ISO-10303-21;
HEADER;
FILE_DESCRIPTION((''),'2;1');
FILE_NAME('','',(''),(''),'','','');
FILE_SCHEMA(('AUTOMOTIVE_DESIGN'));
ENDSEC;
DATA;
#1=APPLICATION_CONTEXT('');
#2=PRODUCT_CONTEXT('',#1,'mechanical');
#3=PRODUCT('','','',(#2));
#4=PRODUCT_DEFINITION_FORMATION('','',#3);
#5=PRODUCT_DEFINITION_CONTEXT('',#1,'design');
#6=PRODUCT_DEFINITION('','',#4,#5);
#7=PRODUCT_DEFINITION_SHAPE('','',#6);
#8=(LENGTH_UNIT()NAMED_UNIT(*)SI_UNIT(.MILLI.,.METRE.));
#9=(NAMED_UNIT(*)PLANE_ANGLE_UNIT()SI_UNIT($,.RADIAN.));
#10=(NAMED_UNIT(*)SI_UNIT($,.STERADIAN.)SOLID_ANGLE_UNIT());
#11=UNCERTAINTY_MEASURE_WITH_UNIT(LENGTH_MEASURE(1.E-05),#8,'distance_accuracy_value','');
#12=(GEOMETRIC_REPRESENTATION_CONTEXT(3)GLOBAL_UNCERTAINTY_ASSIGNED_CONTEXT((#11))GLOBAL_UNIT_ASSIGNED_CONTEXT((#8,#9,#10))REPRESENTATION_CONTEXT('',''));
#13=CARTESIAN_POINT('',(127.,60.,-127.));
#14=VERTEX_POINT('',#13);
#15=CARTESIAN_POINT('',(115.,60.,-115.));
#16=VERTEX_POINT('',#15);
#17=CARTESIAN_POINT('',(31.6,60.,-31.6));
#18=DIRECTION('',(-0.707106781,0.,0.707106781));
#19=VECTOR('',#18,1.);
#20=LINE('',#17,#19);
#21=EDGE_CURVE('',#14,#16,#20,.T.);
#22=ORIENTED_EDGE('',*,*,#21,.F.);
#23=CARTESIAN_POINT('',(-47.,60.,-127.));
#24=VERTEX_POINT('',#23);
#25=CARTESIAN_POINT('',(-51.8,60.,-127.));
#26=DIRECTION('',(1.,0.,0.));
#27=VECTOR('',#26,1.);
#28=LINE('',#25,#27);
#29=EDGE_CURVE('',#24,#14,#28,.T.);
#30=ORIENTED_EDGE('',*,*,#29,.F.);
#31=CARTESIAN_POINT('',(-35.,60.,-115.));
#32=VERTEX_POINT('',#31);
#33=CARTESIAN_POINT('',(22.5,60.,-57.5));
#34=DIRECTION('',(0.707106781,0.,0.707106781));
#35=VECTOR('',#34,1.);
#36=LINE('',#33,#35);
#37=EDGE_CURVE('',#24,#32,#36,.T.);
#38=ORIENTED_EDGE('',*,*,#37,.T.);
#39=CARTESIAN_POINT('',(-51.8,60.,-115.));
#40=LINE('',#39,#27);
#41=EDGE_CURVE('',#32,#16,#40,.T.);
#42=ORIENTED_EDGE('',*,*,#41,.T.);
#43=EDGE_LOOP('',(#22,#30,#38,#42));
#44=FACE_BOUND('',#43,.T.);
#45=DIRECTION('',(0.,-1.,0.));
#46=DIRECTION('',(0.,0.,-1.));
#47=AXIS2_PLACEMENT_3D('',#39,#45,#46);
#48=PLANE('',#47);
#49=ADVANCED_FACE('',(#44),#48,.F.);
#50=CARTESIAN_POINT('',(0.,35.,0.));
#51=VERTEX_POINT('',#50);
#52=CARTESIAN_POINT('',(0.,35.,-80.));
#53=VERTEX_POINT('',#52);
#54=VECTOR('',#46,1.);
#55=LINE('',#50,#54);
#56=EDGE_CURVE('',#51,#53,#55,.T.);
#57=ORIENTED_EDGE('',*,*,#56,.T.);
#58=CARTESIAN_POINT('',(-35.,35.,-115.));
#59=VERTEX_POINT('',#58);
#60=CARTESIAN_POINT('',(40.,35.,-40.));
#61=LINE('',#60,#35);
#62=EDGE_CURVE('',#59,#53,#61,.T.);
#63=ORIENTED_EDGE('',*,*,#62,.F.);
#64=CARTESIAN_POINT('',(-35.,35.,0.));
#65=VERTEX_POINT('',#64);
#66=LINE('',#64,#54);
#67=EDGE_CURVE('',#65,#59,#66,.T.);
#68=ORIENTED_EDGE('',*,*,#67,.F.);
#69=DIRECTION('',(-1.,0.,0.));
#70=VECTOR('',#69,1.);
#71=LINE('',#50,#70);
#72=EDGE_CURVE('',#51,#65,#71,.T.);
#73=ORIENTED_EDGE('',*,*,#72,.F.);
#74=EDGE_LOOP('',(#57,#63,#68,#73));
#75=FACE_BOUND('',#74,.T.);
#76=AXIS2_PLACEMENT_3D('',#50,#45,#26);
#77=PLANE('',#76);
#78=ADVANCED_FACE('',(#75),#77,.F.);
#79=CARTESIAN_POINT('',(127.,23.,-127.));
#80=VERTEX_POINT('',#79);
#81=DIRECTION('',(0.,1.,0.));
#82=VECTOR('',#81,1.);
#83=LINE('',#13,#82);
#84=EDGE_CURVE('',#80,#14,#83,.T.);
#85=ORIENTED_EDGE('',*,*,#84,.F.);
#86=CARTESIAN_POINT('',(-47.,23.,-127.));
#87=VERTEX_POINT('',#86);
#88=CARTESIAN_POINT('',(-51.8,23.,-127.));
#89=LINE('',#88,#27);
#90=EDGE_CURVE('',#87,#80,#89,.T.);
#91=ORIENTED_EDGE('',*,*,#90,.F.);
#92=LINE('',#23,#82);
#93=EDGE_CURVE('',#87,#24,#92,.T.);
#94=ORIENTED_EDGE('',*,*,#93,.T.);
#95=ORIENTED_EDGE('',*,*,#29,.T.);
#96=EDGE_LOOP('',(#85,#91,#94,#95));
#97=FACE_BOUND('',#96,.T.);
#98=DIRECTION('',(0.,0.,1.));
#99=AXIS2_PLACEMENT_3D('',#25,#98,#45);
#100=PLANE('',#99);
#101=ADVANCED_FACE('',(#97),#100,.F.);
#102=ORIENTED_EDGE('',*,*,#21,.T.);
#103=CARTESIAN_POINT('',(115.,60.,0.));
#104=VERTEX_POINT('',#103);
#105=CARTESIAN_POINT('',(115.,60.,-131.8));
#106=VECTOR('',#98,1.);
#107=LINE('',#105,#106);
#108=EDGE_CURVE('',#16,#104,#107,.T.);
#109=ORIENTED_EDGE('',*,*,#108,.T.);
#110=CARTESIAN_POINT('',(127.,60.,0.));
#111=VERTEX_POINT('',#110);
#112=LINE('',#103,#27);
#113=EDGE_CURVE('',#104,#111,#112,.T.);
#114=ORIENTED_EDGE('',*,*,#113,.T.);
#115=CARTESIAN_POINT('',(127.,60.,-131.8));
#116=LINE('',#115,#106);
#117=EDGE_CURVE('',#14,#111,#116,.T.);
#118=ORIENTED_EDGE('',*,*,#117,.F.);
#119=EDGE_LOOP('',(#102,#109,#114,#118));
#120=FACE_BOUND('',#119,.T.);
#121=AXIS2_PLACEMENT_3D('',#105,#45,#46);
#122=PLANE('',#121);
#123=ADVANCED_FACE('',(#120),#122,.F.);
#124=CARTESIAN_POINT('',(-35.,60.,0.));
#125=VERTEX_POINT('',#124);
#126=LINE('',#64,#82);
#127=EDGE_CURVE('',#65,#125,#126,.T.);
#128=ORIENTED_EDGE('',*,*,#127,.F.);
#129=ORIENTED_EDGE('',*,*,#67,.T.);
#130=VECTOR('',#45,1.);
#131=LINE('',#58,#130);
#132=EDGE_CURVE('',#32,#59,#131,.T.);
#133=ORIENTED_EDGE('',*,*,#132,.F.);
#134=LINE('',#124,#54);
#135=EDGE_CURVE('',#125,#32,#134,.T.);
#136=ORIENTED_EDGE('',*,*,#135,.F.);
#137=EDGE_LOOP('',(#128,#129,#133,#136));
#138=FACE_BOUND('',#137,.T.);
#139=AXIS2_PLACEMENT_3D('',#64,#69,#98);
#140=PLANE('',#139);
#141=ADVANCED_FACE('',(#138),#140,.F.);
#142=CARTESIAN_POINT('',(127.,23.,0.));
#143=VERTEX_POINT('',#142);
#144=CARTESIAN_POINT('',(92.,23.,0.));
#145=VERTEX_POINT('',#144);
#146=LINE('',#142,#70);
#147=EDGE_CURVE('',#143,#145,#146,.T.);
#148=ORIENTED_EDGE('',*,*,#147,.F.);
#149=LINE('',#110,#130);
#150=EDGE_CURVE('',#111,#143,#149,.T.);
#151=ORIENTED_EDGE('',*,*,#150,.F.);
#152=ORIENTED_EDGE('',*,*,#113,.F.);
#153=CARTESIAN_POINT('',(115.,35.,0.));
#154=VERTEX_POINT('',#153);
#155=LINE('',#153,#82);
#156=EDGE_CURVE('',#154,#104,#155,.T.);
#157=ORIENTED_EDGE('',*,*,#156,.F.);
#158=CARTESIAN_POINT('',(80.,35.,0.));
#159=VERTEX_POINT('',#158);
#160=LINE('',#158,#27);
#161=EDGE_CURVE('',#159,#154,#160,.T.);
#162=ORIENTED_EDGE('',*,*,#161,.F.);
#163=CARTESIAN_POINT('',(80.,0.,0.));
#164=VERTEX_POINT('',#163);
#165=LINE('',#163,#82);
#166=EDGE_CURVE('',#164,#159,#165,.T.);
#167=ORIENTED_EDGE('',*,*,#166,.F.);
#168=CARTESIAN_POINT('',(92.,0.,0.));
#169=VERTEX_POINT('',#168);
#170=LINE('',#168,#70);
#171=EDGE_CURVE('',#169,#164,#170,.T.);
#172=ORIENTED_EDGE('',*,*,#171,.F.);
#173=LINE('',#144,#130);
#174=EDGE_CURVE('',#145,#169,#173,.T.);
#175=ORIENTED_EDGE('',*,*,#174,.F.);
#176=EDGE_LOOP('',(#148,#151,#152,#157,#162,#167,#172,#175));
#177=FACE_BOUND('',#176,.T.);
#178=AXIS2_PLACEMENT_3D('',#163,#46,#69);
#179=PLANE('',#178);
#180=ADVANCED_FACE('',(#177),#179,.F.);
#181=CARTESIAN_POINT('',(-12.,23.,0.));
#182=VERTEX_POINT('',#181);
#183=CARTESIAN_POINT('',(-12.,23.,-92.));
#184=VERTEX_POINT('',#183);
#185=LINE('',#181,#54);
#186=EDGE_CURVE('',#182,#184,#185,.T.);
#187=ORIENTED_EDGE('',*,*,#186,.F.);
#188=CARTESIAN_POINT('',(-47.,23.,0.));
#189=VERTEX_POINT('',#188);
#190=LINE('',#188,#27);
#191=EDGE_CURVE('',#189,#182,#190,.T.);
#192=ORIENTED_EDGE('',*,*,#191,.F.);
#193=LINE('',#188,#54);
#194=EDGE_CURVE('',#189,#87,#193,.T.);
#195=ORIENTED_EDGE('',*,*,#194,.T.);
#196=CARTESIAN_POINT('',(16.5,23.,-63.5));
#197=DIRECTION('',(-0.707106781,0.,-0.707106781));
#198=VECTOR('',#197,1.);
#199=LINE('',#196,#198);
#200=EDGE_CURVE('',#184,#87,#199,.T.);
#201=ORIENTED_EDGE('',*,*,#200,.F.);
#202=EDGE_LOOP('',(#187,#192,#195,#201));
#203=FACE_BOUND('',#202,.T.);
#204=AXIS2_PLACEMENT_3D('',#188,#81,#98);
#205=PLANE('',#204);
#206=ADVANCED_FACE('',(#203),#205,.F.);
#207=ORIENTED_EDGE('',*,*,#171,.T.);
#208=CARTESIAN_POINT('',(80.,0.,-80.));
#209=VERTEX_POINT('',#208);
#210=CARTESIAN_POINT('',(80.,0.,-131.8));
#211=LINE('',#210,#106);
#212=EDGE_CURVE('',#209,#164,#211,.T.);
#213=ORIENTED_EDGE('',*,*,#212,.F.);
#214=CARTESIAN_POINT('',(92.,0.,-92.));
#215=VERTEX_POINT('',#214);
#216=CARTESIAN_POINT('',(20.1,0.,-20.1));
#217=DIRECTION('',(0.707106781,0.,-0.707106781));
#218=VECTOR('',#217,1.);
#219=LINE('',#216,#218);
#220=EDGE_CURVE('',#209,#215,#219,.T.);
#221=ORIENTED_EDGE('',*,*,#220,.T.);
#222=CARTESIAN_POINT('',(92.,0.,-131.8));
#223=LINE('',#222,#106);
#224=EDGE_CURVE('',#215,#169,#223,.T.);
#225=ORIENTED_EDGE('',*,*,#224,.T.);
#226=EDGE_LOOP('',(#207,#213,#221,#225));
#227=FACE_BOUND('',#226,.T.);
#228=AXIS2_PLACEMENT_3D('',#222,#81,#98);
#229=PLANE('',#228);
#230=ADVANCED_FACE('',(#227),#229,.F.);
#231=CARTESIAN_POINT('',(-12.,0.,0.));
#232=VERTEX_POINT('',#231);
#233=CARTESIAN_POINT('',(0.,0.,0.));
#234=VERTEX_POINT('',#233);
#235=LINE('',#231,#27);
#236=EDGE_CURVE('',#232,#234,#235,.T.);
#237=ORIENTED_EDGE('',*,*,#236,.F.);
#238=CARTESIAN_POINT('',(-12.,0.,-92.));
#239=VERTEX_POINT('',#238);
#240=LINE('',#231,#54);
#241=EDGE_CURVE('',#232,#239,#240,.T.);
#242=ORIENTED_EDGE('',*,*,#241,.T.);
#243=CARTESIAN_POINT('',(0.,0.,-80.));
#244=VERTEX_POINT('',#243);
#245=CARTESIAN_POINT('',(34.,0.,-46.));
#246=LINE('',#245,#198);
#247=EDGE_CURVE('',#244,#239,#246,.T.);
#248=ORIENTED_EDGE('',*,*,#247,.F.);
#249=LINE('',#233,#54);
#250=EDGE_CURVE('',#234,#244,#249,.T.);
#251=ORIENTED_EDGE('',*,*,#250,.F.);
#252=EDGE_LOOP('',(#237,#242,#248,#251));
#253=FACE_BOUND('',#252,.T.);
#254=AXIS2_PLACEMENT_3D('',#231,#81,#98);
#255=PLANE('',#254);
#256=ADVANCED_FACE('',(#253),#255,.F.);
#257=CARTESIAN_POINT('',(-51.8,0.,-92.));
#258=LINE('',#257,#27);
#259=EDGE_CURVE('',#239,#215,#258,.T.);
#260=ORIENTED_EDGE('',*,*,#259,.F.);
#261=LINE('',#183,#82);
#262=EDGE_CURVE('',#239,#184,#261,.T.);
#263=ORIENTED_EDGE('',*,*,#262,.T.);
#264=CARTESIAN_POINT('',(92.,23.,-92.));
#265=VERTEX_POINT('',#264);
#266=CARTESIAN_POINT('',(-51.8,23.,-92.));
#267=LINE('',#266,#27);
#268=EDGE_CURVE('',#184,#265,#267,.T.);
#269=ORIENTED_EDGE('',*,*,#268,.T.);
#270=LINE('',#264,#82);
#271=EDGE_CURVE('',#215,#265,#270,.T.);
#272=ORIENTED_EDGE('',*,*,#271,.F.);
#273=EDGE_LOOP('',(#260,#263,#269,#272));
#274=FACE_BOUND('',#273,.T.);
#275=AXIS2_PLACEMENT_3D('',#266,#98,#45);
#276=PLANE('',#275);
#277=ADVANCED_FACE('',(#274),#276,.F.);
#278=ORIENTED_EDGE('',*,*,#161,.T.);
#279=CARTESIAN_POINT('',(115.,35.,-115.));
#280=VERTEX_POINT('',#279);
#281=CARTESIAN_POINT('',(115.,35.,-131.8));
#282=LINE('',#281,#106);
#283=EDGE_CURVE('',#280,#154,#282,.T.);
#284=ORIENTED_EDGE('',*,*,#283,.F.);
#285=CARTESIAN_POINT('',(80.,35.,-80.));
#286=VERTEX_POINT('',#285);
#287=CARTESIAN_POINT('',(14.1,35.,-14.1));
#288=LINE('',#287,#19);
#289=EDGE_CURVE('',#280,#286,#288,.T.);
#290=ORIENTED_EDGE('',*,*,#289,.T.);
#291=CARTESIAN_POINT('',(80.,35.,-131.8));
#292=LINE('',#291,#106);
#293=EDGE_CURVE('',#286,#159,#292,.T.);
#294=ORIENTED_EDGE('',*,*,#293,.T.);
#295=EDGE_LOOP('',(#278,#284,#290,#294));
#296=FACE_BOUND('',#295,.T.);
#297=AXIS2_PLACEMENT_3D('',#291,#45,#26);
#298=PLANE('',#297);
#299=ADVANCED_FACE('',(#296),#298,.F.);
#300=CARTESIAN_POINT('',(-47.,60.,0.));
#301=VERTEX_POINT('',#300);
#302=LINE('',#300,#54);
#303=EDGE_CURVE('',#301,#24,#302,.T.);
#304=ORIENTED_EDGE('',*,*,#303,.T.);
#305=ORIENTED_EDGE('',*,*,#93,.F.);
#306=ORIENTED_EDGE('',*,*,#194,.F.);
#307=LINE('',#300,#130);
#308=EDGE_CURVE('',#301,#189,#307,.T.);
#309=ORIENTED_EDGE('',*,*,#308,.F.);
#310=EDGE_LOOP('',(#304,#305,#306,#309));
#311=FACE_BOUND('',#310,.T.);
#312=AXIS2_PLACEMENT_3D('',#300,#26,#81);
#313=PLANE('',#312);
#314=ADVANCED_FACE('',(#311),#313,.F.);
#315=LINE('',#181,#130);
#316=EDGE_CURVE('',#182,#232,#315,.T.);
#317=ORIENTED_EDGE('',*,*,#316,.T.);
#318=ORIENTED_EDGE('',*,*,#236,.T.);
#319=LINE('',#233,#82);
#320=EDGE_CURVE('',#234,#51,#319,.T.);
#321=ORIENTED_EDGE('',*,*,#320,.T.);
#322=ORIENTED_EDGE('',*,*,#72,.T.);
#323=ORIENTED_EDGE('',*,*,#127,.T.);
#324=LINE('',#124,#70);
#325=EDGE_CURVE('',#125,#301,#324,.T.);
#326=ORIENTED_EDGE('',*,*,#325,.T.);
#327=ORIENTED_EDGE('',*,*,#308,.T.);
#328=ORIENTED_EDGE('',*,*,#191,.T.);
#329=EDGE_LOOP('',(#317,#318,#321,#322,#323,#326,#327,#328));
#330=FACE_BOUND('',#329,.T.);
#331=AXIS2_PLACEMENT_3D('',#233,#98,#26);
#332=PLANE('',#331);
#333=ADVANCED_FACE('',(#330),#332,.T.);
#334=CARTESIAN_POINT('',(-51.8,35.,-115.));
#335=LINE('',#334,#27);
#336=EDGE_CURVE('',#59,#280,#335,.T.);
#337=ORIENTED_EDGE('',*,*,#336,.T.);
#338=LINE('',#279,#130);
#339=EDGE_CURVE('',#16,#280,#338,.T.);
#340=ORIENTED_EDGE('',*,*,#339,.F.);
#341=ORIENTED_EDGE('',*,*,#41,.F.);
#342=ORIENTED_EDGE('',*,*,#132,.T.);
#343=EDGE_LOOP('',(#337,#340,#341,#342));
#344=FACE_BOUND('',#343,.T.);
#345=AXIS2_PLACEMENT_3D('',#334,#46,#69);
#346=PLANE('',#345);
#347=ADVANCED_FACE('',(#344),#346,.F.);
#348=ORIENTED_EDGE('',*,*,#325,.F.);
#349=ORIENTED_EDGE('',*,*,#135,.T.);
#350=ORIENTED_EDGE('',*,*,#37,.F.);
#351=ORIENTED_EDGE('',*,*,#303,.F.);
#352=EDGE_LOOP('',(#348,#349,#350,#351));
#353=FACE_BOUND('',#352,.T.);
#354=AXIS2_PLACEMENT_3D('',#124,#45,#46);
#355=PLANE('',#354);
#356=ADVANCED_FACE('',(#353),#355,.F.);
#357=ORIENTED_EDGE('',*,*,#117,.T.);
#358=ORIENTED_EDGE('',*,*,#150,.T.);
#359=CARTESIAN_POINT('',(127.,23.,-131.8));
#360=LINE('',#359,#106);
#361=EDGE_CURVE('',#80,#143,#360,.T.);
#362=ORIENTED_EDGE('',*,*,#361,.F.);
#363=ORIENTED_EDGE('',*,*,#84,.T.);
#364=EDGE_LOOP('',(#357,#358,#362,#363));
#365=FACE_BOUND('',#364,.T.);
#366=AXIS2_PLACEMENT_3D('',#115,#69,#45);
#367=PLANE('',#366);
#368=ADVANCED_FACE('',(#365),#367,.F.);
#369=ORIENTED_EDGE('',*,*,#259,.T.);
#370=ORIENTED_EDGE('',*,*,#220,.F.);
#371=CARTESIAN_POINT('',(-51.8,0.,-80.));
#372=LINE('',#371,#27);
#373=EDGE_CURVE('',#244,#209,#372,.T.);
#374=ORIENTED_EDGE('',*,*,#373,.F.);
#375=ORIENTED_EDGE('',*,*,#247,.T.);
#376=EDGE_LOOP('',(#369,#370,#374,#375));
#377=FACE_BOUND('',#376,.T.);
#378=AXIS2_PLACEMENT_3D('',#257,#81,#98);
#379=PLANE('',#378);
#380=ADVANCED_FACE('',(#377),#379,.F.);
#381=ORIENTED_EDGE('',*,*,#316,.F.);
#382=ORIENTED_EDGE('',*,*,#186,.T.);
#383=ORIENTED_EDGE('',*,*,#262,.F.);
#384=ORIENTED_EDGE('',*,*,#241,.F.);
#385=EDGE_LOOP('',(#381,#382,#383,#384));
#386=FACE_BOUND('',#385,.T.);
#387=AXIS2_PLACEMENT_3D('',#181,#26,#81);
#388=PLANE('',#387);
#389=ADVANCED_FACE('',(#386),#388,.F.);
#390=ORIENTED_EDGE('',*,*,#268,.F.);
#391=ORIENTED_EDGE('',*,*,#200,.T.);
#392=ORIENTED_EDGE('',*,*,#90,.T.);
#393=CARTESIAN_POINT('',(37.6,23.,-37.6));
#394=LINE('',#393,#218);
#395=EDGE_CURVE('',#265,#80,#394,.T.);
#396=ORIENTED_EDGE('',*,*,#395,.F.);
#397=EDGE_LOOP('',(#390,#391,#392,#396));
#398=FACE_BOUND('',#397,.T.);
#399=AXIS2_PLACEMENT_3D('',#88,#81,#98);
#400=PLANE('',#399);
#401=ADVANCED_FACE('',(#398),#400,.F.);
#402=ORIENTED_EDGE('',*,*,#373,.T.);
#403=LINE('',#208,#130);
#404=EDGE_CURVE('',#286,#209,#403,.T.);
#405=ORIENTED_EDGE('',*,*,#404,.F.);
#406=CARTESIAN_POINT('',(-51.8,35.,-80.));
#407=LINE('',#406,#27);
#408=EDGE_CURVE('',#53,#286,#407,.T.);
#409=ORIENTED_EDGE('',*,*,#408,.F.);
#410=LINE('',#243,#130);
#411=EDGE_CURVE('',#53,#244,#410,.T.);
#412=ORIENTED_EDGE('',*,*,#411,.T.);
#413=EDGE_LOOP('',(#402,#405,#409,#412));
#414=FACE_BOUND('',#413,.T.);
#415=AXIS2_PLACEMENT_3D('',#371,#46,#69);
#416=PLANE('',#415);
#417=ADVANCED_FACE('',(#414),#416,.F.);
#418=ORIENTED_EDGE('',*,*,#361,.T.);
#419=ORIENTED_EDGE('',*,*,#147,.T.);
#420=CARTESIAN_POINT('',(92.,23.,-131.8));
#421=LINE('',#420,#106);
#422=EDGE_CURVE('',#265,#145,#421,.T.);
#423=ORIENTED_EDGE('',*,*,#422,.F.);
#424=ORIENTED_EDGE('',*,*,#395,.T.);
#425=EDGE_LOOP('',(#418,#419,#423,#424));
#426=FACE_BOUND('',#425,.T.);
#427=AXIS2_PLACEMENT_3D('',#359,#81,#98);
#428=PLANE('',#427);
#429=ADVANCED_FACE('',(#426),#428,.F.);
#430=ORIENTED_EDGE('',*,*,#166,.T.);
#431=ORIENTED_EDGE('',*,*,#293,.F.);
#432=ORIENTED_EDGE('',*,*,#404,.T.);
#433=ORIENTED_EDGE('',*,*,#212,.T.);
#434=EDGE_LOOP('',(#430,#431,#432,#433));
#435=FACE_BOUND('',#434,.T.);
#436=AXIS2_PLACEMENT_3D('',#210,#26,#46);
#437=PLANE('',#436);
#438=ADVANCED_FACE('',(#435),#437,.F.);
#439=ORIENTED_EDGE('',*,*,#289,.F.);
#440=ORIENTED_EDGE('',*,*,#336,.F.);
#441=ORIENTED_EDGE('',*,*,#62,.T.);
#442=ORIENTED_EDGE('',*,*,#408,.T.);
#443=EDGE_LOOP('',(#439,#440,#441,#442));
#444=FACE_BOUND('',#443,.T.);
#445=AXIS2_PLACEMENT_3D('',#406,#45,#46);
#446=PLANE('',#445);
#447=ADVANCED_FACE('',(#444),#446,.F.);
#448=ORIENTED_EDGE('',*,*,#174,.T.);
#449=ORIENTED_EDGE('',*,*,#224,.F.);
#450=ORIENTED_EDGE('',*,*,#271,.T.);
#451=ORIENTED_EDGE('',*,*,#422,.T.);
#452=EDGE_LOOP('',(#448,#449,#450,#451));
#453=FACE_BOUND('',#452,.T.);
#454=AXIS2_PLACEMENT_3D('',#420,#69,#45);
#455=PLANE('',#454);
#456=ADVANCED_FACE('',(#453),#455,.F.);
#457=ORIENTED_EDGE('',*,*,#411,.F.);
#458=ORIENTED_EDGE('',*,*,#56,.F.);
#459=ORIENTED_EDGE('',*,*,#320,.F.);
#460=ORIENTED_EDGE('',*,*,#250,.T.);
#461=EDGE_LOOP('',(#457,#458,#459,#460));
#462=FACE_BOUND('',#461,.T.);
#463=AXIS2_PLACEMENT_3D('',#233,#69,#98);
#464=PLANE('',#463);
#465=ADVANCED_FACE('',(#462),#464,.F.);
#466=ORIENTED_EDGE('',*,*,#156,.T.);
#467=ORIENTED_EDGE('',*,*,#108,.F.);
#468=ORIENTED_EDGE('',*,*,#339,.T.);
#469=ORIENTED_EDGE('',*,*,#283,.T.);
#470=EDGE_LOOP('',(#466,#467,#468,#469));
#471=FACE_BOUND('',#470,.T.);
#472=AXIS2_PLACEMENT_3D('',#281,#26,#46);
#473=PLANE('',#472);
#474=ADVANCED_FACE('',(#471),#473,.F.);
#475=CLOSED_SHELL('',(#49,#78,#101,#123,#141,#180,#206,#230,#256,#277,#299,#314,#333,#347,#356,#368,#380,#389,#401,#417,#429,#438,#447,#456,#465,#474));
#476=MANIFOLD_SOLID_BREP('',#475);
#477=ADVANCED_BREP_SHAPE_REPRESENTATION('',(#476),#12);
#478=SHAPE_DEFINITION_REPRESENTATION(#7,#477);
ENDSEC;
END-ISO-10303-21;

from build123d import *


with BuildPart() as part:
    # Sweep1: sweep along a path in Sketch2
    with BuildLine(Plane(origin=(0, 0, 0), x_dir=(1, 0, 0), z_dir=(0, 1, 0))) as sweep1_path:
        Line((0, 0), (0, 80))
        Line((0, 80), (80, 80))
        Line((80, 80), (80, 0))
    # Sketch1 → Sweep1 (sweep)
    with BuildSketch(Plane.XY):
        Polygon((0, 0), (0, 35), (-35, 35), (-35, 60), (-47, 60), (-47, 23), (-12, 23), (-12, 0), align=None)
    sweep(path=sweep1_path.line, transition=Transition.RIGHT)


solid = part.part
